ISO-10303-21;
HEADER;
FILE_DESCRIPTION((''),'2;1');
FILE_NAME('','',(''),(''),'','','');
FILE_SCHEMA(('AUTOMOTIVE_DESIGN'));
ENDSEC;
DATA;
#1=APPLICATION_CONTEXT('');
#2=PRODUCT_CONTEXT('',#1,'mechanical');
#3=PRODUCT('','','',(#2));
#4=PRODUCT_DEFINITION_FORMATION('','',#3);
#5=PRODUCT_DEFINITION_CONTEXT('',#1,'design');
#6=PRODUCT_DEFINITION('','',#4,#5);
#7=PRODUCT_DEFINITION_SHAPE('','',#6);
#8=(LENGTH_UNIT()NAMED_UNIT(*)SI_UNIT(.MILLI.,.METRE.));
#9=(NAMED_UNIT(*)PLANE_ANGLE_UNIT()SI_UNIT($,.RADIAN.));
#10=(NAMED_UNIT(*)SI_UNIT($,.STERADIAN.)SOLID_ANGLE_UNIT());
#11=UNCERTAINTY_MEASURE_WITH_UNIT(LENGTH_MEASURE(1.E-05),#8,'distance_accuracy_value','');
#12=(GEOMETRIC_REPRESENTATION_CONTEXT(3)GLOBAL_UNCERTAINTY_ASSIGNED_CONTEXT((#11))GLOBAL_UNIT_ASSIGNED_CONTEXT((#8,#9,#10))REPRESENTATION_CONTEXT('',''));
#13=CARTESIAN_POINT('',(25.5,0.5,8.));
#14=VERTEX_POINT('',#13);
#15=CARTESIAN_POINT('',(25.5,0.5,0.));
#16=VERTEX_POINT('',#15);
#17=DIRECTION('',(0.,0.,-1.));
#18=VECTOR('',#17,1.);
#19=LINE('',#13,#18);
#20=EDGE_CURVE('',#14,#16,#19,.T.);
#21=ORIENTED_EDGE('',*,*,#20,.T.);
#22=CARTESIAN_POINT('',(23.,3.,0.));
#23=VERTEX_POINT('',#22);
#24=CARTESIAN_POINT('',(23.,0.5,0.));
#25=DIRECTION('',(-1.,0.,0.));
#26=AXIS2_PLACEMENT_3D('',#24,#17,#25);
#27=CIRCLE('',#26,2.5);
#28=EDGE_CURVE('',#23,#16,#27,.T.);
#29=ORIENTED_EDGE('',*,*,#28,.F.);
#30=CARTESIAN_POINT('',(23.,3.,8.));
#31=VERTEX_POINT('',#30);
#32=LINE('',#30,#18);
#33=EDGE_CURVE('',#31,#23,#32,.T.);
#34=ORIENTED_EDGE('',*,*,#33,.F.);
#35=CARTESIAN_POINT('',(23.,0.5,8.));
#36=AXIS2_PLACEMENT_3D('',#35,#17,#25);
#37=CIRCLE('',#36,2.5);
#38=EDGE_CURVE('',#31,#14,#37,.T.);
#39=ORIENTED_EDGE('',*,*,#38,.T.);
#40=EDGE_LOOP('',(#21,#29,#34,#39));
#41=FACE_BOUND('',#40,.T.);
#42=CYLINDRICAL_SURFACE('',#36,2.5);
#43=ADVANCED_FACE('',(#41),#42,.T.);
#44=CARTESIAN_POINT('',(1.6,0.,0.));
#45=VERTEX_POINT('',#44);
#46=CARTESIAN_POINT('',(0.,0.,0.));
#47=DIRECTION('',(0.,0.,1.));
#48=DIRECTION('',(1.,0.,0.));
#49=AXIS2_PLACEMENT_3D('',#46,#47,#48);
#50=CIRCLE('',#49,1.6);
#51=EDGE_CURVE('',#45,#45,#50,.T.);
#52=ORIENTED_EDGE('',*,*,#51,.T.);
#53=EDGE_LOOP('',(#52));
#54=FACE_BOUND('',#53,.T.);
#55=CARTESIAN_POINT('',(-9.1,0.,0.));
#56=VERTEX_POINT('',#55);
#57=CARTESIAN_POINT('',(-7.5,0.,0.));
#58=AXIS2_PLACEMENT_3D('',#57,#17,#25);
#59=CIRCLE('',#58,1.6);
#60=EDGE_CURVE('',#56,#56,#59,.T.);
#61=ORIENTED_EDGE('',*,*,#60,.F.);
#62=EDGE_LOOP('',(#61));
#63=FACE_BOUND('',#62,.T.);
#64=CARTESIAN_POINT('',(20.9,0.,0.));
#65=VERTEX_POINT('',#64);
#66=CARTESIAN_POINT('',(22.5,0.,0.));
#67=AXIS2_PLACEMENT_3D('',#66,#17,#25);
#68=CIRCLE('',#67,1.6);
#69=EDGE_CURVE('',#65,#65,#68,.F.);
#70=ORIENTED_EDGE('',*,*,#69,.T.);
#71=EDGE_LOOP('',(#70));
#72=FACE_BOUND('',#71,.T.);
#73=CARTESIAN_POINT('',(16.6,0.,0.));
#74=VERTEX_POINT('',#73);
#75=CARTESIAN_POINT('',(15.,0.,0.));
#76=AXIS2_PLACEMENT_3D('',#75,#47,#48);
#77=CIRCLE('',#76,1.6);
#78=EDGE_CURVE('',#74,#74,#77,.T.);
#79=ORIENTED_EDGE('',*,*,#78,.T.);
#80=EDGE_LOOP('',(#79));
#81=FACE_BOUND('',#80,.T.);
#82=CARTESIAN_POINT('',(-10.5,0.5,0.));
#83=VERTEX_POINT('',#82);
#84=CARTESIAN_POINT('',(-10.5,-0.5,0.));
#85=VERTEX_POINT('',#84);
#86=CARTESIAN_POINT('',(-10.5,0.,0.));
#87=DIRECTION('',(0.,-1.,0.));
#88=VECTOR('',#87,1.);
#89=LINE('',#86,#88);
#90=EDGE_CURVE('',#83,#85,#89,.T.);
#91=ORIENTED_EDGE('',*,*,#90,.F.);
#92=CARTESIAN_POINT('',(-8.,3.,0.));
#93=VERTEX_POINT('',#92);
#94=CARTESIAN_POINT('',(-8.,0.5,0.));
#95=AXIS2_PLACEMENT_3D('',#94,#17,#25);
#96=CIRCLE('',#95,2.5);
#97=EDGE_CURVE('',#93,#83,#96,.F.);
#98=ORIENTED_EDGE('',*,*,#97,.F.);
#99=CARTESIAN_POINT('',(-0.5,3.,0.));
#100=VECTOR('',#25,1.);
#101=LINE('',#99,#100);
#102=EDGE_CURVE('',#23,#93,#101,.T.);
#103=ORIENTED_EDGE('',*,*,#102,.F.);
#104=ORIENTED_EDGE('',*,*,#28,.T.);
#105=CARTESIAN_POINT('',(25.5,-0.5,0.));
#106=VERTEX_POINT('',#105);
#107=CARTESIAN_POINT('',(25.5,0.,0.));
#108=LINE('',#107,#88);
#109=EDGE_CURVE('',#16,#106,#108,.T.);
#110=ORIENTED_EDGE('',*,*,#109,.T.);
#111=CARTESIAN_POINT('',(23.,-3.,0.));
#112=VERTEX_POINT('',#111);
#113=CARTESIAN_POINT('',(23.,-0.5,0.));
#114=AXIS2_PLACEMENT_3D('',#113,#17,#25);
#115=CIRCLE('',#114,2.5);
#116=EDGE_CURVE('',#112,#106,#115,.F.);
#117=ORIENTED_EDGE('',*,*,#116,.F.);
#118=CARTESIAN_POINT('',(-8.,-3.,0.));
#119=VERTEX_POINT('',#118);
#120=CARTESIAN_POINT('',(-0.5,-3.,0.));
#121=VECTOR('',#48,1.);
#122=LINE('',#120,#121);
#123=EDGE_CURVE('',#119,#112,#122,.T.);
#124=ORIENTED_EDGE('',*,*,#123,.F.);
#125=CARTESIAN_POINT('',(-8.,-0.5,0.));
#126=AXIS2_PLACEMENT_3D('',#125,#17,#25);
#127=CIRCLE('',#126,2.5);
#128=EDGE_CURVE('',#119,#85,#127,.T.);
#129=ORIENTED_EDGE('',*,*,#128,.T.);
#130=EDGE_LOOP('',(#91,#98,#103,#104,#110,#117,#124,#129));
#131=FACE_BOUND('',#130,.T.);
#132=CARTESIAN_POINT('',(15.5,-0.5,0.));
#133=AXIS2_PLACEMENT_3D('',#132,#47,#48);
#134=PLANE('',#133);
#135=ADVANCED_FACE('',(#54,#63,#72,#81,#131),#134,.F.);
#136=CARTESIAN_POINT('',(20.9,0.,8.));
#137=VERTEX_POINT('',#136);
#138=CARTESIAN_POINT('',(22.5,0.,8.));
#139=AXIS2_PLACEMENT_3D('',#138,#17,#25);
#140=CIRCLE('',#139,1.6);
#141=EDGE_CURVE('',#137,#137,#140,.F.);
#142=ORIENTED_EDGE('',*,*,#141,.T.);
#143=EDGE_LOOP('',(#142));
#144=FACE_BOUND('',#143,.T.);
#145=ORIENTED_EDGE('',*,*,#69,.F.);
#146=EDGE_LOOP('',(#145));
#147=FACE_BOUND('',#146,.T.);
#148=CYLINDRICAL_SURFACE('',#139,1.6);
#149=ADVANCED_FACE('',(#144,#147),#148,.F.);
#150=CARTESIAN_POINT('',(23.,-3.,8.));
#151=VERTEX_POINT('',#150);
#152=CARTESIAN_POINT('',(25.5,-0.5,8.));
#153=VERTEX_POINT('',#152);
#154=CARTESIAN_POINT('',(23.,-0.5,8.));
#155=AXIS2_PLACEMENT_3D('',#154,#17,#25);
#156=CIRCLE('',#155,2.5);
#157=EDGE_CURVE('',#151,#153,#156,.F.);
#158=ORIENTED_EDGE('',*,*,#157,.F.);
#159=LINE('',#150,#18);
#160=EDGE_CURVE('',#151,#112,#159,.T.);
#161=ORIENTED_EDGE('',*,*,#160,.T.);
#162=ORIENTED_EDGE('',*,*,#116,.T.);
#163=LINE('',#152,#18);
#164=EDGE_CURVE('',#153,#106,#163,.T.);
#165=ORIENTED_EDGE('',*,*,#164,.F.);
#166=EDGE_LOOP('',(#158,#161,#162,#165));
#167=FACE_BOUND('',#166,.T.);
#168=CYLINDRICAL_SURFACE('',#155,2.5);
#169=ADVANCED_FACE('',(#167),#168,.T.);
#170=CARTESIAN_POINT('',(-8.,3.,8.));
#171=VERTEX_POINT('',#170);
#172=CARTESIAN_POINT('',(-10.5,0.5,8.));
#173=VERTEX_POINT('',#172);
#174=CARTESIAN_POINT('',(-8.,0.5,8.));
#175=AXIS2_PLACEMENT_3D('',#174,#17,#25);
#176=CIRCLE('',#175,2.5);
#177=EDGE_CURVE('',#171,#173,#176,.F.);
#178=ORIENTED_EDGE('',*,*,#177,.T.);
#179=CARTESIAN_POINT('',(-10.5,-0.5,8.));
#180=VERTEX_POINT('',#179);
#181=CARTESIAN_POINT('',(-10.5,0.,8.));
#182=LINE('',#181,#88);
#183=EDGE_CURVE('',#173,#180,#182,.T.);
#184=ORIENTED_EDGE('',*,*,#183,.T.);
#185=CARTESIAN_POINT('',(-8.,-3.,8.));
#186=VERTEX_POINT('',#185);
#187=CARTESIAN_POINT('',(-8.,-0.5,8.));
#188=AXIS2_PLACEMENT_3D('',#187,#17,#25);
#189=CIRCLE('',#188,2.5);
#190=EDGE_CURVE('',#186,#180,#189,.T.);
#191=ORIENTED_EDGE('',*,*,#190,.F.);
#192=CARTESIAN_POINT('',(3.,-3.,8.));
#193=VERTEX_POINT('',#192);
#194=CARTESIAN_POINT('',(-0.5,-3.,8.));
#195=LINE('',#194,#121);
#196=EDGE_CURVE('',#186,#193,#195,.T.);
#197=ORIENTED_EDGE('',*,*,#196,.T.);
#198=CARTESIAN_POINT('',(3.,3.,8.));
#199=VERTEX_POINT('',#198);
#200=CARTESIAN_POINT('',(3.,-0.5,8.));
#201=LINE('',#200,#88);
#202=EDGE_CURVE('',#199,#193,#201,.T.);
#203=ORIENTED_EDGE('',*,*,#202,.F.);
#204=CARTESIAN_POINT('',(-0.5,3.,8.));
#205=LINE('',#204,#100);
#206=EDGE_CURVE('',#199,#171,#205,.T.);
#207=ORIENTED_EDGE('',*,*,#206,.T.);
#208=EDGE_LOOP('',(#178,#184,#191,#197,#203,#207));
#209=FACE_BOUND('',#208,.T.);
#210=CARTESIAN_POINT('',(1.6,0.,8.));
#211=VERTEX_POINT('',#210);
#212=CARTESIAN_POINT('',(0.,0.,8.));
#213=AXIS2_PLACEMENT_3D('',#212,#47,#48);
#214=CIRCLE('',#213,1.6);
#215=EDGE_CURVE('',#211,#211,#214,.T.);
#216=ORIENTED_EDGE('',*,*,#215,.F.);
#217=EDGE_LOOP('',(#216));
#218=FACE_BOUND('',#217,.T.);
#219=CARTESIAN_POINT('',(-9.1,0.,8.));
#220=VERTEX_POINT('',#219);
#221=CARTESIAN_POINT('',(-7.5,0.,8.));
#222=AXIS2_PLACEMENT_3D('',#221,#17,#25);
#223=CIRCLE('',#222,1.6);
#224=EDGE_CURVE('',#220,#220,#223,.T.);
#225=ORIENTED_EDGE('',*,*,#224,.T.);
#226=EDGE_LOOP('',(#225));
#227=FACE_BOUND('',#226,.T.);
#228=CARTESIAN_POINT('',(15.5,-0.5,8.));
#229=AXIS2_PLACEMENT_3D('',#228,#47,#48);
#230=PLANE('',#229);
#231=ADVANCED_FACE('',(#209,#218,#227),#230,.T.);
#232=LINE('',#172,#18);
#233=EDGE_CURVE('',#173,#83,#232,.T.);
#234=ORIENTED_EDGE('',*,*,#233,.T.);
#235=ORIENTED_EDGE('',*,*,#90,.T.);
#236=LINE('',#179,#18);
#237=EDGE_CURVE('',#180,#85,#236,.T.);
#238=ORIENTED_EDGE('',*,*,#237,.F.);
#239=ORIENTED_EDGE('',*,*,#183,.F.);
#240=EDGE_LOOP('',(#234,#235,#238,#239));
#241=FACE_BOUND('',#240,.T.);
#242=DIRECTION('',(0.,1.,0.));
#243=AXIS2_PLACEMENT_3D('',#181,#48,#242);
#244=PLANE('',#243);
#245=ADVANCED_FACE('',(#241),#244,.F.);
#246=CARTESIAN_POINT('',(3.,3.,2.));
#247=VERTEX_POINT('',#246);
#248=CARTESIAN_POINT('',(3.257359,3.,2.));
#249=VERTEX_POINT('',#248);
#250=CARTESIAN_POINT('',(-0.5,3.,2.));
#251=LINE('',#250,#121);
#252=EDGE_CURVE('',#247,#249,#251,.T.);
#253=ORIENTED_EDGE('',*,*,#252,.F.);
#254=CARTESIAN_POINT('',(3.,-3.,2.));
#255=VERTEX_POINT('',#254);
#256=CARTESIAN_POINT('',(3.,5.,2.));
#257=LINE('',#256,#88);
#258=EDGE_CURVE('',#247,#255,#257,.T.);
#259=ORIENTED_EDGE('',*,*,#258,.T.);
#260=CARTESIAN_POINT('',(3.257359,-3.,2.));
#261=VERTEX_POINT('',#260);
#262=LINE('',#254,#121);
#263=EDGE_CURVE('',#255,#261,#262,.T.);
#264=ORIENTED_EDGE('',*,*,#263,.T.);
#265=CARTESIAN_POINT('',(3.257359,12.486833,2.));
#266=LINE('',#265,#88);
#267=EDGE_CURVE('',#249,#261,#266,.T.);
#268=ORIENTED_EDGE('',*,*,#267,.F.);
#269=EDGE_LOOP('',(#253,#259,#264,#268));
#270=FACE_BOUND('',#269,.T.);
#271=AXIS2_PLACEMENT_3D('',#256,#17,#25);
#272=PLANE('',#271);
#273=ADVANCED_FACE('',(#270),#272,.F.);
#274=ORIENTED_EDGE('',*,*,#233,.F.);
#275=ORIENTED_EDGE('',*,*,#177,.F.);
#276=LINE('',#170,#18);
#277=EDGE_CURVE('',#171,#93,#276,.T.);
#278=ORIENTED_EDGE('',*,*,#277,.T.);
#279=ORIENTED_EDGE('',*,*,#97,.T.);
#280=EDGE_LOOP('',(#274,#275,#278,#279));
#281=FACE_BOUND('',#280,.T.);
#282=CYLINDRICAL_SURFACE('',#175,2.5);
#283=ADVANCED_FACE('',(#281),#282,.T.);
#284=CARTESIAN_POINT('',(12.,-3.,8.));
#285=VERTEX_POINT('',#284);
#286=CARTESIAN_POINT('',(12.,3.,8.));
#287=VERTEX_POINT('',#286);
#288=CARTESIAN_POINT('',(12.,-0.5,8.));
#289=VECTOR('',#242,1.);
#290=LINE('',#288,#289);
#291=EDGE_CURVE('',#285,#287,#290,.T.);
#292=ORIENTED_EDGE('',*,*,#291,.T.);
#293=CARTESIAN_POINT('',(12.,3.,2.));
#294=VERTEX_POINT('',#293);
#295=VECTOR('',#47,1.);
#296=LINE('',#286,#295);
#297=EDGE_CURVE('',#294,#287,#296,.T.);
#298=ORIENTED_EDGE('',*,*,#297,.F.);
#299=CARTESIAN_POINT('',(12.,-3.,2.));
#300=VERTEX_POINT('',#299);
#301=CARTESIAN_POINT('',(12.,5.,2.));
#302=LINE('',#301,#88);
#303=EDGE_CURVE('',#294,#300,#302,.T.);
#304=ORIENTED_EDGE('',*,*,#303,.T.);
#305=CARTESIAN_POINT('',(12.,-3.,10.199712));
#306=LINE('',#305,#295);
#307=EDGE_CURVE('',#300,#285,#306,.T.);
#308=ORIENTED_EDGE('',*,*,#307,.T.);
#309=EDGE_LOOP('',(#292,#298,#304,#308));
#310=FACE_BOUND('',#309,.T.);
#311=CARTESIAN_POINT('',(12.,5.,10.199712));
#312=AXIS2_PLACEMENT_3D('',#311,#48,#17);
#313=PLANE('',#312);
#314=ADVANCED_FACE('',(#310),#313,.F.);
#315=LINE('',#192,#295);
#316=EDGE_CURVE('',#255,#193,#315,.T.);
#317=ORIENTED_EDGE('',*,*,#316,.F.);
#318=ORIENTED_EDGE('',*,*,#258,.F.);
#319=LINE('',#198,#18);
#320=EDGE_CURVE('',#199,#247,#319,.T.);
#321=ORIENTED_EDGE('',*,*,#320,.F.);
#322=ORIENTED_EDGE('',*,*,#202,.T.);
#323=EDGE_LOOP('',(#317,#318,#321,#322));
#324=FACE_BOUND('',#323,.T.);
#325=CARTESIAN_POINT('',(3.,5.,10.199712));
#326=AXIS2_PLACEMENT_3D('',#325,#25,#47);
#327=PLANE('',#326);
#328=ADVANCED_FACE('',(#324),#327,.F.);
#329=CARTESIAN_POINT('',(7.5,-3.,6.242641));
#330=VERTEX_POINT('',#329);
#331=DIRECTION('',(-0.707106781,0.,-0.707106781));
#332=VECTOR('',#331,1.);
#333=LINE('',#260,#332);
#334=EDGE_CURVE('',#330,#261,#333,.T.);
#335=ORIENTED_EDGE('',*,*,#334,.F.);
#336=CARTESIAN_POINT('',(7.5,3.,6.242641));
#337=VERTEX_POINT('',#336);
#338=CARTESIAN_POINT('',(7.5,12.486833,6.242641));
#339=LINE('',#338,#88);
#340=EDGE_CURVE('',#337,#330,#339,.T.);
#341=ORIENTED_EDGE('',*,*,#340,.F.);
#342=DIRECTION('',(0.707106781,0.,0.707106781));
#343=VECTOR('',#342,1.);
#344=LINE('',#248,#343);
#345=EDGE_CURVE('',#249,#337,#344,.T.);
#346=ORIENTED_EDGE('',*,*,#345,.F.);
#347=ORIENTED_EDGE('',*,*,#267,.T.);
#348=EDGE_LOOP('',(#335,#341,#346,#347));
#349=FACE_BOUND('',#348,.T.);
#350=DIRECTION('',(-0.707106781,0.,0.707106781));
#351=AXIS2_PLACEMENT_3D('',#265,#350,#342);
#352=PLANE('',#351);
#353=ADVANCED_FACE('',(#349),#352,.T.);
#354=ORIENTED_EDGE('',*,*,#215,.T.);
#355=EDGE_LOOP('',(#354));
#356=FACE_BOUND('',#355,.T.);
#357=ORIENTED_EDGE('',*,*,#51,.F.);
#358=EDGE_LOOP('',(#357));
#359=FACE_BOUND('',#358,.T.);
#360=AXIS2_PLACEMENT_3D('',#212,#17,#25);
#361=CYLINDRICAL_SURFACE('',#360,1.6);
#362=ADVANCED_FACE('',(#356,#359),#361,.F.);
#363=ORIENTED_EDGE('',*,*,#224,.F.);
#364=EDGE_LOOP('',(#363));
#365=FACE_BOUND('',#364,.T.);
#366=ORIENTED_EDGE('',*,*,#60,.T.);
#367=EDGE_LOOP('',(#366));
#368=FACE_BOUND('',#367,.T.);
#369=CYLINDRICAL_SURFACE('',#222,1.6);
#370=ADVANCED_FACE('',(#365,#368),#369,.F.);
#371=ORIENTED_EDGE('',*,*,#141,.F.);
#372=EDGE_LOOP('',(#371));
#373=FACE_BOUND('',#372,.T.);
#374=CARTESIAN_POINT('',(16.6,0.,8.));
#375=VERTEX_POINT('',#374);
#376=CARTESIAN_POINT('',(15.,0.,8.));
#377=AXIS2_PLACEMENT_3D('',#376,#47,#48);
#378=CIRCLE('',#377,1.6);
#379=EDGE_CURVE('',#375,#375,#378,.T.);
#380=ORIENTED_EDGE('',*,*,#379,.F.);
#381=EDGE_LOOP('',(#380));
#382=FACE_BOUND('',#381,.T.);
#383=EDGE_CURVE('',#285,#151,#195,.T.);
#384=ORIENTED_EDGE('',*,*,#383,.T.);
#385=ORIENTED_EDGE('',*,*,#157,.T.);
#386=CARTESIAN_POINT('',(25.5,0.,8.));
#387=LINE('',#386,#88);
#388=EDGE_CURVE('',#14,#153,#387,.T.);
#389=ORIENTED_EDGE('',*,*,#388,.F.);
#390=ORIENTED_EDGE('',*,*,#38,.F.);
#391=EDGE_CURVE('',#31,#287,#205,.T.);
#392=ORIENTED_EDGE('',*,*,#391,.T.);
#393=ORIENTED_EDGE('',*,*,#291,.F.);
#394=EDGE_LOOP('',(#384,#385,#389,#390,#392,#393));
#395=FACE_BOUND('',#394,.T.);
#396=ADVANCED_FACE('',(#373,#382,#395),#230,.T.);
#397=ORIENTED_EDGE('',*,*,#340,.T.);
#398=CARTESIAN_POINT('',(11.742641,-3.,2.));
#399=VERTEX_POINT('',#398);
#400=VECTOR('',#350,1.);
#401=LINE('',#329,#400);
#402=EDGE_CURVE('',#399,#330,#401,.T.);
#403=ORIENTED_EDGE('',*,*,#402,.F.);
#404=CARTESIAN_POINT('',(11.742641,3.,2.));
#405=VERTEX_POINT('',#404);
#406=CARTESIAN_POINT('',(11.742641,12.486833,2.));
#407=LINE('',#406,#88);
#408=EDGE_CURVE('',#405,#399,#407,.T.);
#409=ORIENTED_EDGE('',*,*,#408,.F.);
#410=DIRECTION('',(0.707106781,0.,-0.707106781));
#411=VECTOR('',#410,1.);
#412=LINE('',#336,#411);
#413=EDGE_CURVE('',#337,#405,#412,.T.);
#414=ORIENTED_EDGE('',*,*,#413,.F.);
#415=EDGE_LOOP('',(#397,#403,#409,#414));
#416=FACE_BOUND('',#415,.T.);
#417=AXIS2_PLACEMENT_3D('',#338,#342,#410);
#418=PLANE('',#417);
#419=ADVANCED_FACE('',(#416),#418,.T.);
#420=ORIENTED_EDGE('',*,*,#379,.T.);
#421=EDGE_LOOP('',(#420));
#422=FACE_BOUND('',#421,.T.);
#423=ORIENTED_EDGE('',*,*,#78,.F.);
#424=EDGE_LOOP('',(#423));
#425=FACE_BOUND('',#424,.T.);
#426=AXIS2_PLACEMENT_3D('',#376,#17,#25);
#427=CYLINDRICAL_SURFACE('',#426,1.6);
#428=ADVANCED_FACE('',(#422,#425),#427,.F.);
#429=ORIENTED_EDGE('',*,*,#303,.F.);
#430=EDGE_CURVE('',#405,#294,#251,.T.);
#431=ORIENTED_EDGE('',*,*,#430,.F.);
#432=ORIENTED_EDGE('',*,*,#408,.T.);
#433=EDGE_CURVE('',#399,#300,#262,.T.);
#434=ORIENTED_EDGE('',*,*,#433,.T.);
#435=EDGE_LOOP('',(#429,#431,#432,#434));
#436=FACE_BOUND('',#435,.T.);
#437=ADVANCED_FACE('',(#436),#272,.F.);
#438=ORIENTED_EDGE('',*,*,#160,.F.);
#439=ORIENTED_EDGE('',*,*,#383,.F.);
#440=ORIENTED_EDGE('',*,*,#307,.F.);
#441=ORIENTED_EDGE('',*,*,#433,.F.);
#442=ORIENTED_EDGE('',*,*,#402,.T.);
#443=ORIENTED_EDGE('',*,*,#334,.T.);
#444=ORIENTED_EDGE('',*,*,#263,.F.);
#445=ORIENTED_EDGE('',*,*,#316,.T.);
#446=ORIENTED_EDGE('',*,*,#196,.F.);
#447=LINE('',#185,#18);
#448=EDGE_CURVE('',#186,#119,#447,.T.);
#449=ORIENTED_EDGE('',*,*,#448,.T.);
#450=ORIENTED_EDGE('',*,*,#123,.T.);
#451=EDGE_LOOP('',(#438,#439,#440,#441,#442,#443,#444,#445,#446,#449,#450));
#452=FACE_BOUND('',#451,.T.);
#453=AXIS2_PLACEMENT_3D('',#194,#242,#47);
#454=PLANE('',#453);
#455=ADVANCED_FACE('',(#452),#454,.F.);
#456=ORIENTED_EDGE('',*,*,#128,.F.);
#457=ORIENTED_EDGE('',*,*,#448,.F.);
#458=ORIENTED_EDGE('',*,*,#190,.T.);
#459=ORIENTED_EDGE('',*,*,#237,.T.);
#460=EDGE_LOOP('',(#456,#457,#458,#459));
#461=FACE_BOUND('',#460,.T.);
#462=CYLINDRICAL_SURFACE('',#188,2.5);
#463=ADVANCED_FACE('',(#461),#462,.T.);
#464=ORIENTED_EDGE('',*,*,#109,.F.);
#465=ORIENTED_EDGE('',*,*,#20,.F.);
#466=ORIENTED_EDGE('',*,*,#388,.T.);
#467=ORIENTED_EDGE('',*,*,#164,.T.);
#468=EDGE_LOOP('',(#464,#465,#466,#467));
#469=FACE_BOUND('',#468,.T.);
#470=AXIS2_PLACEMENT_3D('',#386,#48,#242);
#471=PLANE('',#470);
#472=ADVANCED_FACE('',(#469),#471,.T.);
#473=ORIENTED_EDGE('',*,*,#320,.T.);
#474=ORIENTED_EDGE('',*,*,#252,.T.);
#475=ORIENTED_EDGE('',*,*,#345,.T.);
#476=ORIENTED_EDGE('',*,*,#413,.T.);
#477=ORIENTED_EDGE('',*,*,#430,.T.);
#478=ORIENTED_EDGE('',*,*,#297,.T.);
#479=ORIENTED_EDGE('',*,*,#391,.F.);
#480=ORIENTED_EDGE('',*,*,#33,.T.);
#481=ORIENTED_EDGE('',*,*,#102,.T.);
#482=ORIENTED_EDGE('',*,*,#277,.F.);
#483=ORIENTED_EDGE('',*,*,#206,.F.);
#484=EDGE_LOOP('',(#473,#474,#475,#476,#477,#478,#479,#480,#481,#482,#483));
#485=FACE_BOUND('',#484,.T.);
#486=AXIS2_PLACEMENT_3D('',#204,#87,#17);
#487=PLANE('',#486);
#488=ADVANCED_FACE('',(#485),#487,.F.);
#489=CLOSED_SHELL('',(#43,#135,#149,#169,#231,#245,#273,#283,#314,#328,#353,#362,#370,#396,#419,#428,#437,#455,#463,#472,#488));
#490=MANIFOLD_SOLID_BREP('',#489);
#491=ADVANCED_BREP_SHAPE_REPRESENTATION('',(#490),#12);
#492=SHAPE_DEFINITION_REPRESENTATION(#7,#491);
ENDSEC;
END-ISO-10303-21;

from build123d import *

# Parameters (mm, degrees)
SKETCH1_R           = 1.6
BOSS_EXTRUDE1_DEPTH = 8
SKETCH2_W           = 9
SKETCH2_H           = 8.199711987
CUT_EXTRUDE1_DEPTH  = 8
BOSS_EXTRUDE2_DEPTH = 6
SKETCH4_R           = 1.6
BOSS_EXTRUDE3_DEPTH = 8


with BuildPart() as part:
    # Sketch1 → Boss-Extrude1 (new body)
    with BuildSketch(Plane.XY):
        with BuildLine():
            Line((-0.5, 3), (15.5, 3))
            ThreePointArc((15.5, 3), (17.267766953, 2.267766953), (18, 0.5))
            Line((18, 0.5), (18, -0.5))
            ThreePointArc((18, -0.5), (17.267766953, -2.267766953), (15.5, -3))
            Line((15.5, -3), (-0.5, -3))
            ThreePointArc((-0.5, -3), (-2.267766953, -2.267766953), (-3, -0.5))
            Line((-3, -0.5), (-3, 0.5))
            ThreePointArc((-3, 0.5), (-2.267766953, 2.267766953), (-0.5, 3))
        make_face()
        Circle(SKETCH1_R, mode=Mode.SUBTRACT)
        with Locations((15, 0)):
            Circle(SKETCH1_R, mode=Mode.SUBTRACT)
    extrude(amount=BOSS_EXTRUDE1_DEPTH)

    # Sketch2 → Cut-Extrude1 (cut)
    with BuildSketch(Plane.XZ.offset(3)):
        with Locations((7.5, 6.099855994)):
            Rectangle(SKETCH2_W, SKETCH2_H)
    extrude(amount=-CUT_EXTRUDE1_DEPTH, mode=Mode.SUBTRACT)

    # Sketch3 → Boss-Extrude2 (add)
    with BuildSketch(Plane.XZ.offset(3)):
        Polygon((3.257359313, 2), (7.5, 6.242640687), (11.742640687, 2), align=None)
    extrude(amount=-BOSS_EXTRUDE2_DEPTH)

    # Sketch4 → Boss-Extrude3 (add)
    with BuildSketch(Plane(origin=(0, 0, 0), x_dir=(-1, 0, 0), z_dir=(0, 0, -1))):
        with BuildLine():
            ThreePointArc((8, 3), (9.767766953, 2.267766953), (10.5, 0.5))
            Line((10.5, 0.5), (10.5, -0.5))
            ThreePointArc((10.5, -0.5), (9.767766953, -2.267766953), (8, -3))
            Line((8, -3), (0.5, -3))
            ThreePointArc((0.5, -3), (2.267766953, -2.267766953), (3, -0.5))
            Line((3, -0.5), (3, 0.5))
            ThreePointArc((3, 0.5), (2.267766953, 2.267766953), (0.5, 3))
            Line((0.5, 3), (8, 3))
        make_face()
        with Locations((7.5, 0)):
            Circle(SKETCH4_R, mode=Mode.SUBTRACT)
        with BuildLine():
            ThreePointArc((-23, -3), (-24.767766953, -2.267766953), (-25.5, -0.5))
            Line((-25.5, -0.5), (-25.5, 0.5))
            ThreePointArc((-25.5, 0.5), (-24.767766953, 2.267766953), (-23, 3))
            Line((-23, 3), (-15.5, 3))
            ThreePointArc((-15.5, 3), (-17.267766953, 2.267766953), (-18, 0.5))
            Line((-18, 0.5), (-18, -0.5))
            ThreePointArc((-18, -0.5), (-17.267766953, -2.267766953), (-15.5, -3))
            Line((-15.5, -3), (-23, -3))
        make_face()
        with Locations((-22.5, 0)):
            Circle(SKETCH4_R, mode=Mode.SUBTRACT)
    extrude(amount=-BOSS_EXTRUDE3_DEPTH)


solid = part.part
